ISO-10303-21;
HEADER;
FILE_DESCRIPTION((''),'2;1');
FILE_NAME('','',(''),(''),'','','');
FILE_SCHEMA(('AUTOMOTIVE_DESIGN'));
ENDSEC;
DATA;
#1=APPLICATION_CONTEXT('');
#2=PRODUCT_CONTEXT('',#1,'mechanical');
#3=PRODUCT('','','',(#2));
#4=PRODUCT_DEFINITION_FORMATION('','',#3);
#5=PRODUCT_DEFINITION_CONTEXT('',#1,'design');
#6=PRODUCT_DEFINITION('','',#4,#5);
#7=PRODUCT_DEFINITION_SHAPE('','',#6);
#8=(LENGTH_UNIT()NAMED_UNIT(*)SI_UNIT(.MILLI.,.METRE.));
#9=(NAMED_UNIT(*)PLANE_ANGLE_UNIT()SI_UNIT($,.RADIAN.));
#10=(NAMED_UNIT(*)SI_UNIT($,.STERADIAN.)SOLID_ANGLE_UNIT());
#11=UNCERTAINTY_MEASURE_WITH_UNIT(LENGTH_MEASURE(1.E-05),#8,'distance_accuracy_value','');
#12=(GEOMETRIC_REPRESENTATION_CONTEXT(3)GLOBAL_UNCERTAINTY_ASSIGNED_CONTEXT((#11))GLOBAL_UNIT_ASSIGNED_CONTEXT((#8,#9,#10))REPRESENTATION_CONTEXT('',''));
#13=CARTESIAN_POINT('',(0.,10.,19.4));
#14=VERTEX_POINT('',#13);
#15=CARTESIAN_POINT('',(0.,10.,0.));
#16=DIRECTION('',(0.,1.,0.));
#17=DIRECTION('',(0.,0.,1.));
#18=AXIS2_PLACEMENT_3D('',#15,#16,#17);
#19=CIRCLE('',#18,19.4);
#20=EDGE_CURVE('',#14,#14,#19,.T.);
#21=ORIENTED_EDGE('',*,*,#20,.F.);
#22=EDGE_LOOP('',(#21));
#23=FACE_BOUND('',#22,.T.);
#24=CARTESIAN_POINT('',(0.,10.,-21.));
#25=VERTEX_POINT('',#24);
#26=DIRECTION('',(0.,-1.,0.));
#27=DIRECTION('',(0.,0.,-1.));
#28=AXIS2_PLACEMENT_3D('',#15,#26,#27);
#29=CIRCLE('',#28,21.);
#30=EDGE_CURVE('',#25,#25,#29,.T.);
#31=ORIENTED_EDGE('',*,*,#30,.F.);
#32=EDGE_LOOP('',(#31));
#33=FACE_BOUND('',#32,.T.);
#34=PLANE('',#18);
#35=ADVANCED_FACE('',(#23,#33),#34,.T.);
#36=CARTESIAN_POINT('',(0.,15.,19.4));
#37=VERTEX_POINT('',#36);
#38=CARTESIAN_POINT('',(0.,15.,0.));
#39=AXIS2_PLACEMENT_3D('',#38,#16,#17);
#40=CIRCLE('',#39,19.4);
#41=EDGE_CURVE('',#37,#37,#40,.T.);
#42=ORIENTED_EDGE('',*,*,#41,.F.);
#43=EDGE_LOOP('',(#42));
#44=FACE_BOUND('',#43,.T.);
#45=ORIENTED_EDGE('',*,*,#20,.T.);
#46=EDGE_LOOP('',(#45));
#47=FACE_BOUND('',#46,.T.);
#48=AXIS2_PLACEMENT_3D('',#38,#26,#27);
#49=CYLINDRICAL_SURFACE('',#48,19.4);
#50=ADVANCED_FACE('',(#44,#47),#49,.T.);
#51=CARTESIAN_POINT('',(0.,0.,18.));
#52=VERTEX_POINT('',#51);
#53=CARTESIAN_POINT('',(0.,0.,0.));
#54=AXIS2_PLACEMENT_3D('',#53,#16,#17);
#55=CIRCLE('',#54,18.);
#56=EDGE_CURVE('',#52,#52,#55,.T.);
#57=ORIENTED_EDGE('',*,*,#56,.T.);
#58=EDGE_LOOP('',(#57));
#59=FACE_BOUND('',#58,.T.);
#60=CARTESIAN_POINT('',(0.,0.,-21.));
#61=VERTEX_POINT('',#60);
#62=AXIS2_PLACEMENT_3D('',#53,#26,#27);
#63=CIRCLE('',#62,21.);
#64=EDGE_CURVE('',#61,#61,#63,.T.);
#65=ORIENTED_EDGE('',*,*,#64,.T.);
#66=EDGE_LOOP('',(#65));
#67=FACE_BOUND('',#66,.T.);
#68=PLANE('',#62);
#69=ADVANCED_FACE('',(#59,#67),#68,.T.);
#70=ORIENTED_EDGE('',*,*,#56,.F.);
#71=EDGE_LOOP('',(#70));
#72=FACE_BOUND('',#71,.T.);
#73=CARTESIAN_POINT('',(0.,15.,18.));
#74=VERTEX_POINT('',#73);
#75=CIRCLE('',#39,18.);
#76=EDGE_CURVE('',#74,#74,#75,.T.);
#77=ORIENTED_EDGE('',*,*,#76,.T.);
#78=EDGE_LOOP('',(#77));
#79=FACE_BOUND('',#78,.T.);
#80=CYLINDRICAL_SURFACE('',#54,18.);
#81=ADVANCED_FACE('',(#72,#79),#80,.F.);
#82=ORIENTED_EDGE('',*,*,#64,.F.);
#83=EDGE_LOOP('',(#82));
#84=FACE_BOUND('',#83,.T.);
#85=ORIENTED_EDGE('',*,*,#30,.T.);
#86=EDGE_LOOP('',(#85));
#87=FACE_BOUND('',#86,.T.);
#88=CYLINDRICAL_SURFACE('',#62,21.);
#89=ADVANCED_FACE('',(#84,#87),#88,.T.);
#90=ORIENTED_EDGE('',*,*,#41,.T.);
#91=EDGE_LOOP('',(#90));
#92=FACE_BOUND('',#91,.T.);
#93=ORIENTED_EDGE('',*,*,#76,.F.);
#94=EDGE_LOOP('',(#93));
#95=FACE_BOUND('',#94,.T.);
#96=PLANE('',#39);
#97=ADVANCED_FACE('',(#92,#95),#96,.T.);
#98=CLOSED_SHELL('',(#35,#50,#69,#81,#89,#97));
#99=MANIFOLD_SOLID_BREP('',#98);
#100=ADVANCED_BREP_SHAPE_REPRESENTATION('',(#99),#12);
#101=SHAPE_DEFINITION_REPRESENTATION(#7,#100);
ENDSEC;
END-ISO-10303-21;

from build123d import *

# Parameters (mm, degrees)
SKETCH1_W           = 21
SKETCH1_H           = 10
SKETCH2_R           = 18
CUT_EXTRUDE1_DEPTH  = 32.336879232
SKETCH4_R           = 19.4
BOSS_EXTRUDE1_DEPTH = 5
SKETCH5_R           = 18
CUT_EXTRUDE2_DEPTH  = 34.271609519


with BuildPart() as part:
    # Sketch1 → Revolve1 (revolve)
    with BuildSketch(Plane.XY, mode=Mode.PRIVATE) as revolve1_sk:
        with Locations((10.5, 5)):
            Rectangle(SKETCH1_W, SKETCH1_H)
    revolve(revolve1_sk.sketch.rotate(Axis((0, 0, 0), (0, 1, 0)), 90), axis=Axis((0, 0, 0), (0, 1, 0)))

    # Sketch2 → Cut-Extrude1 (cut, through all)
    with BuildSketch(Plane(origin=(0, 10, 0), x_dir=(1, 0, 0), z_dir=(0, 1, 0))):
        with Locations(Location((0, 0, 0), (0, 0, 270))):
            Circle(SKETCH2_R)
    extrude(amount=-CUT_EXTRUDE1_DEPTH, mode=Mode.SUBTRACT)

    # Sketch4 → Boss-Extrude1 (add)
    with BuildSketch(Plane(origin=(0, 10, 0), x_dir=(1, 0, 0), z_dir=(0, 1, 0))):
        with Locations(Location((0, 0, 0), (0, 0, 270))):
            Circle(SKETCH4_R)
    extrude(amount=BOSS_EXTRUDE1_DEPTH)

    # Sketch5 → Cut-Extrude2 (cut, through all)
    with BuildSketch(Plane(origin=(0, 15, 0), x_dir=(1, 0, 0), z_dir=(0, 1, 0))):
        with Locations(Location((0, 0, 0), (0, 0, 270))):
            Circle(SKETCH5_R)
    extrude(amount=-CUT_EXTRUDE2_DEPTH, mode=Mode.SUBTRACT)


solid = part.part
